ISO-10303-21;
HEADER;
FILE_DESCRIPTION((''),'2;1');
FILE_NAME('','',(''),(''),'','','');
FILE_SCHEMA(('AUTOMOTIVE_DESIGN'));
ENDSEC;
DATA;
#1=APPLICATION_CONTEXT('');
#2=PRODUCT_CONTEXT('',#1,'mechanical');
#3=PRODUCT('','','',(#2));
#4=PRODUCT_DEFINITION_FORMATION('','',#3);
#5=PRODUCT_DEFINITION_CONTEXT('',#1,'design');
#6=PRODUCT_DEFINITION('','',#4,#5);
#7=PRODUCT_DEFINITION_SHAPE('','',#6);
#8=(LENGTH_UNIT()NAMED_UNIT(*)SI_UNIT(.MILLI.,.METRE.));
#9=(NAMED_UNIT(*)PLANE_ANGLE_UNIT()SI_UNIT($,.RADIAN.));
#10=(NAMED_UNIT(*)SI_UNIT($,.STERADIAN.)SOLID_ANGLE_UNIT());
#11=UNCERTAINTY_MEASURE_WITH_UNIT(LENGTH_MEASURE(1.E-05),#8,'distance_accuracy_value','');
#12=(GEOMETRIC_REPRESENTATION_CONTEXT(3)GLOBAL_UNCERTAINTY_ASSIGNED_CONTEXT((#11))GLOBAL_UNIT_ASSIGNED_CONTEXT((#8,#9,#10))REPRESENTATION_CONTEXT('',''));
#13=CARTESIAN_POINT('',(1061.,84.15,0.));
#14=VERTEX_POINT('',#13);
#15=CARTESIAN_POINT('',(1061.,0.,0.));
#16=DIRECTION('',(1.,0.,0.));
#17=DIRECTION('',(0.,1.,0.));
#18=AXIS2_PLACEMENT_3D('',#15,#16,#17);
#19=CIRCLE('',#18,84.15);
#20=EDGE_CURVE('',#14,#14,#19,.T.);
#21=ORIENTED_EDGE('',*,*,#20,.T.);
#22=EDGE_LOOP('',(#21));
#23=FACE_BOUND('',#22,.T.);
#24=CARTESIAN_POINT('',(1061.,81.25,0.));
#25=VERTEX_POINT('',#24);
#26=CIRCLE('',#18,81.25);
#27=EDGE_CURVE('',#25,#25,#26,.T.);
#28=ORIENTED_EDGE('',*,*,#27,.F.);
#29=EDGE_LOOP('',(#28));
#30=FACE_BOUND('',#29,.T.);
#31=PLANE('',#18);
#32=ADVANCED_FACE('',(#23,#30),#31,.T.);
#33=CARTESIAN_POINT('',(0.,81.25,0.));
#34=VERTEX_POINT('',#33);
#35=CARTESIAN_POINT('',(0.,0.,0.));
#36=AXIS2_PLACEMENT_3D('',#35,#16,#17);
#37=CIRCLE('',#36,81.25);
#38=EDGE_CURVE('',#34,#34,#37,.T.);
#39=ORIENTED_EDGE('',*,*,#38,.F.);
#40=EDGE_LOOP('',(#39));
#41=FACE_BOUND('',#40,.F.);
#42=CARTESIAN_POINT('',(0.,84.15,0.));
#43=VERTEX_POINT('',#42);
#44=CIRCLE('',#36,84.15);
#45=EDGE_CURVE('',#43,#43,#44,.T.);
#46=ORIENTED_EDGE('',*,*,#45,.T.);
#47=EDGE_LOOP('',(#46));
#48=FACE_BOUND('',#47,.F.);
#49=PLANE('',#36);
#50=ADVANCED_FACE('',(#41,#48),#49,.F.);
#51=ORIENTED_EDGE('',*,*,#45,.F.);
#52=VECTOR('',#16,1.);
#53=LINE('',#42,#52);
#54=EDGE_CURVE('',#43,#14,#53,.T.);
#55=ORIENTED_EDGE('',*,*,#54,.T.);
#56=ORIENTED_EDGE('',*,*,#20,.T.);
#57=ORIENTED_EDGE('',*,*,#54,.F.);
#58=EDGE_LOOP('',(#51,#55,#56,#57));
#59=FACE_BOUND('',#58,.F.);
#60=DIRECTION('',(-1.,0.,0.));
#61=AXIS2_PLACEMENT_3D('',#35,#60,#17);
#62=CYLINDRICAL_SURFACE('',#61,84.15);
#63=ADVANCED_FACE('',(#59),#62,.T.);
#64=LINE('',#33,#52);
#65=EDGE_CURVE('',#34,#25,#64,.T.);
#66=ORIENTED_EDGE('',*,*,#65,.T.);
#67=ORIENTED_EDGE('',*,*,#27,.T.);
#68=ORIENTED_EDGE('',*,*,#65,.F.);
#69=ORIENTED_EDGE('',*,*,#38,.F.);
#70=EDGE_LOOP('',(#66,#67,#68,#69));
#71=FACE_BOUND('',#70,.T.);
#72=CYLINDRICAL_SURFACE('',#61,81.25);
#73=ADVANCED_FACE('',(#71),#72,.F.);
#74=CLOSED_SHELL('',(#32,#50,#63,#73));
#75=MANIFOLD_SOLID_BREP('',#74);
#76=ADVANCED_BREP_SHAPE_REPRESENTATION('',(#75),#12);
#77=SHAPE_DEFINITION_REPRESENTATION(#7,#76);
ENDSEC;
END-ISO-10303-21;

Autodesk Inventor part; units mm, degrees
ref_plane "YZ Plane" through (0, 0, 0) normal (1, 0, 0) x (0, 1, 0)
ref_plane "XZ Plane" through (0, 0, 0) normal (0, 1, 0) x (-1, 0, 0)
ref_plane "XY Plane" through (0, 0, 0) normal (0, 0, 1) x (1, 0, 0)
sketch "Sketch1" plane through (0, 0, 0) normal (1, 0, 0) x (0, 1, 0)
  circle A0 centre (0, 0) radius 84.15
  circle A1 centre (0, 0) radius 81.25
  dimension "d0" = 168.3
  dimension "d1" = 2.9
extrude "Extrusion1" add sketch "Sketch1" along normal blind 1061
equation "\"d0\" = OD"
equation "\"d1\" = t"
equation "\"d2\" = L"
equation "\"OD\" = 168.3"
equation "\"t\" = 2.9"
equation "\"L\" = PL"
equation "\"ID\" = 162.5"
equation "\"PL\" = 1061"
equation "\"Size_Designation\" = 1.2345"
properties material "Steel"
